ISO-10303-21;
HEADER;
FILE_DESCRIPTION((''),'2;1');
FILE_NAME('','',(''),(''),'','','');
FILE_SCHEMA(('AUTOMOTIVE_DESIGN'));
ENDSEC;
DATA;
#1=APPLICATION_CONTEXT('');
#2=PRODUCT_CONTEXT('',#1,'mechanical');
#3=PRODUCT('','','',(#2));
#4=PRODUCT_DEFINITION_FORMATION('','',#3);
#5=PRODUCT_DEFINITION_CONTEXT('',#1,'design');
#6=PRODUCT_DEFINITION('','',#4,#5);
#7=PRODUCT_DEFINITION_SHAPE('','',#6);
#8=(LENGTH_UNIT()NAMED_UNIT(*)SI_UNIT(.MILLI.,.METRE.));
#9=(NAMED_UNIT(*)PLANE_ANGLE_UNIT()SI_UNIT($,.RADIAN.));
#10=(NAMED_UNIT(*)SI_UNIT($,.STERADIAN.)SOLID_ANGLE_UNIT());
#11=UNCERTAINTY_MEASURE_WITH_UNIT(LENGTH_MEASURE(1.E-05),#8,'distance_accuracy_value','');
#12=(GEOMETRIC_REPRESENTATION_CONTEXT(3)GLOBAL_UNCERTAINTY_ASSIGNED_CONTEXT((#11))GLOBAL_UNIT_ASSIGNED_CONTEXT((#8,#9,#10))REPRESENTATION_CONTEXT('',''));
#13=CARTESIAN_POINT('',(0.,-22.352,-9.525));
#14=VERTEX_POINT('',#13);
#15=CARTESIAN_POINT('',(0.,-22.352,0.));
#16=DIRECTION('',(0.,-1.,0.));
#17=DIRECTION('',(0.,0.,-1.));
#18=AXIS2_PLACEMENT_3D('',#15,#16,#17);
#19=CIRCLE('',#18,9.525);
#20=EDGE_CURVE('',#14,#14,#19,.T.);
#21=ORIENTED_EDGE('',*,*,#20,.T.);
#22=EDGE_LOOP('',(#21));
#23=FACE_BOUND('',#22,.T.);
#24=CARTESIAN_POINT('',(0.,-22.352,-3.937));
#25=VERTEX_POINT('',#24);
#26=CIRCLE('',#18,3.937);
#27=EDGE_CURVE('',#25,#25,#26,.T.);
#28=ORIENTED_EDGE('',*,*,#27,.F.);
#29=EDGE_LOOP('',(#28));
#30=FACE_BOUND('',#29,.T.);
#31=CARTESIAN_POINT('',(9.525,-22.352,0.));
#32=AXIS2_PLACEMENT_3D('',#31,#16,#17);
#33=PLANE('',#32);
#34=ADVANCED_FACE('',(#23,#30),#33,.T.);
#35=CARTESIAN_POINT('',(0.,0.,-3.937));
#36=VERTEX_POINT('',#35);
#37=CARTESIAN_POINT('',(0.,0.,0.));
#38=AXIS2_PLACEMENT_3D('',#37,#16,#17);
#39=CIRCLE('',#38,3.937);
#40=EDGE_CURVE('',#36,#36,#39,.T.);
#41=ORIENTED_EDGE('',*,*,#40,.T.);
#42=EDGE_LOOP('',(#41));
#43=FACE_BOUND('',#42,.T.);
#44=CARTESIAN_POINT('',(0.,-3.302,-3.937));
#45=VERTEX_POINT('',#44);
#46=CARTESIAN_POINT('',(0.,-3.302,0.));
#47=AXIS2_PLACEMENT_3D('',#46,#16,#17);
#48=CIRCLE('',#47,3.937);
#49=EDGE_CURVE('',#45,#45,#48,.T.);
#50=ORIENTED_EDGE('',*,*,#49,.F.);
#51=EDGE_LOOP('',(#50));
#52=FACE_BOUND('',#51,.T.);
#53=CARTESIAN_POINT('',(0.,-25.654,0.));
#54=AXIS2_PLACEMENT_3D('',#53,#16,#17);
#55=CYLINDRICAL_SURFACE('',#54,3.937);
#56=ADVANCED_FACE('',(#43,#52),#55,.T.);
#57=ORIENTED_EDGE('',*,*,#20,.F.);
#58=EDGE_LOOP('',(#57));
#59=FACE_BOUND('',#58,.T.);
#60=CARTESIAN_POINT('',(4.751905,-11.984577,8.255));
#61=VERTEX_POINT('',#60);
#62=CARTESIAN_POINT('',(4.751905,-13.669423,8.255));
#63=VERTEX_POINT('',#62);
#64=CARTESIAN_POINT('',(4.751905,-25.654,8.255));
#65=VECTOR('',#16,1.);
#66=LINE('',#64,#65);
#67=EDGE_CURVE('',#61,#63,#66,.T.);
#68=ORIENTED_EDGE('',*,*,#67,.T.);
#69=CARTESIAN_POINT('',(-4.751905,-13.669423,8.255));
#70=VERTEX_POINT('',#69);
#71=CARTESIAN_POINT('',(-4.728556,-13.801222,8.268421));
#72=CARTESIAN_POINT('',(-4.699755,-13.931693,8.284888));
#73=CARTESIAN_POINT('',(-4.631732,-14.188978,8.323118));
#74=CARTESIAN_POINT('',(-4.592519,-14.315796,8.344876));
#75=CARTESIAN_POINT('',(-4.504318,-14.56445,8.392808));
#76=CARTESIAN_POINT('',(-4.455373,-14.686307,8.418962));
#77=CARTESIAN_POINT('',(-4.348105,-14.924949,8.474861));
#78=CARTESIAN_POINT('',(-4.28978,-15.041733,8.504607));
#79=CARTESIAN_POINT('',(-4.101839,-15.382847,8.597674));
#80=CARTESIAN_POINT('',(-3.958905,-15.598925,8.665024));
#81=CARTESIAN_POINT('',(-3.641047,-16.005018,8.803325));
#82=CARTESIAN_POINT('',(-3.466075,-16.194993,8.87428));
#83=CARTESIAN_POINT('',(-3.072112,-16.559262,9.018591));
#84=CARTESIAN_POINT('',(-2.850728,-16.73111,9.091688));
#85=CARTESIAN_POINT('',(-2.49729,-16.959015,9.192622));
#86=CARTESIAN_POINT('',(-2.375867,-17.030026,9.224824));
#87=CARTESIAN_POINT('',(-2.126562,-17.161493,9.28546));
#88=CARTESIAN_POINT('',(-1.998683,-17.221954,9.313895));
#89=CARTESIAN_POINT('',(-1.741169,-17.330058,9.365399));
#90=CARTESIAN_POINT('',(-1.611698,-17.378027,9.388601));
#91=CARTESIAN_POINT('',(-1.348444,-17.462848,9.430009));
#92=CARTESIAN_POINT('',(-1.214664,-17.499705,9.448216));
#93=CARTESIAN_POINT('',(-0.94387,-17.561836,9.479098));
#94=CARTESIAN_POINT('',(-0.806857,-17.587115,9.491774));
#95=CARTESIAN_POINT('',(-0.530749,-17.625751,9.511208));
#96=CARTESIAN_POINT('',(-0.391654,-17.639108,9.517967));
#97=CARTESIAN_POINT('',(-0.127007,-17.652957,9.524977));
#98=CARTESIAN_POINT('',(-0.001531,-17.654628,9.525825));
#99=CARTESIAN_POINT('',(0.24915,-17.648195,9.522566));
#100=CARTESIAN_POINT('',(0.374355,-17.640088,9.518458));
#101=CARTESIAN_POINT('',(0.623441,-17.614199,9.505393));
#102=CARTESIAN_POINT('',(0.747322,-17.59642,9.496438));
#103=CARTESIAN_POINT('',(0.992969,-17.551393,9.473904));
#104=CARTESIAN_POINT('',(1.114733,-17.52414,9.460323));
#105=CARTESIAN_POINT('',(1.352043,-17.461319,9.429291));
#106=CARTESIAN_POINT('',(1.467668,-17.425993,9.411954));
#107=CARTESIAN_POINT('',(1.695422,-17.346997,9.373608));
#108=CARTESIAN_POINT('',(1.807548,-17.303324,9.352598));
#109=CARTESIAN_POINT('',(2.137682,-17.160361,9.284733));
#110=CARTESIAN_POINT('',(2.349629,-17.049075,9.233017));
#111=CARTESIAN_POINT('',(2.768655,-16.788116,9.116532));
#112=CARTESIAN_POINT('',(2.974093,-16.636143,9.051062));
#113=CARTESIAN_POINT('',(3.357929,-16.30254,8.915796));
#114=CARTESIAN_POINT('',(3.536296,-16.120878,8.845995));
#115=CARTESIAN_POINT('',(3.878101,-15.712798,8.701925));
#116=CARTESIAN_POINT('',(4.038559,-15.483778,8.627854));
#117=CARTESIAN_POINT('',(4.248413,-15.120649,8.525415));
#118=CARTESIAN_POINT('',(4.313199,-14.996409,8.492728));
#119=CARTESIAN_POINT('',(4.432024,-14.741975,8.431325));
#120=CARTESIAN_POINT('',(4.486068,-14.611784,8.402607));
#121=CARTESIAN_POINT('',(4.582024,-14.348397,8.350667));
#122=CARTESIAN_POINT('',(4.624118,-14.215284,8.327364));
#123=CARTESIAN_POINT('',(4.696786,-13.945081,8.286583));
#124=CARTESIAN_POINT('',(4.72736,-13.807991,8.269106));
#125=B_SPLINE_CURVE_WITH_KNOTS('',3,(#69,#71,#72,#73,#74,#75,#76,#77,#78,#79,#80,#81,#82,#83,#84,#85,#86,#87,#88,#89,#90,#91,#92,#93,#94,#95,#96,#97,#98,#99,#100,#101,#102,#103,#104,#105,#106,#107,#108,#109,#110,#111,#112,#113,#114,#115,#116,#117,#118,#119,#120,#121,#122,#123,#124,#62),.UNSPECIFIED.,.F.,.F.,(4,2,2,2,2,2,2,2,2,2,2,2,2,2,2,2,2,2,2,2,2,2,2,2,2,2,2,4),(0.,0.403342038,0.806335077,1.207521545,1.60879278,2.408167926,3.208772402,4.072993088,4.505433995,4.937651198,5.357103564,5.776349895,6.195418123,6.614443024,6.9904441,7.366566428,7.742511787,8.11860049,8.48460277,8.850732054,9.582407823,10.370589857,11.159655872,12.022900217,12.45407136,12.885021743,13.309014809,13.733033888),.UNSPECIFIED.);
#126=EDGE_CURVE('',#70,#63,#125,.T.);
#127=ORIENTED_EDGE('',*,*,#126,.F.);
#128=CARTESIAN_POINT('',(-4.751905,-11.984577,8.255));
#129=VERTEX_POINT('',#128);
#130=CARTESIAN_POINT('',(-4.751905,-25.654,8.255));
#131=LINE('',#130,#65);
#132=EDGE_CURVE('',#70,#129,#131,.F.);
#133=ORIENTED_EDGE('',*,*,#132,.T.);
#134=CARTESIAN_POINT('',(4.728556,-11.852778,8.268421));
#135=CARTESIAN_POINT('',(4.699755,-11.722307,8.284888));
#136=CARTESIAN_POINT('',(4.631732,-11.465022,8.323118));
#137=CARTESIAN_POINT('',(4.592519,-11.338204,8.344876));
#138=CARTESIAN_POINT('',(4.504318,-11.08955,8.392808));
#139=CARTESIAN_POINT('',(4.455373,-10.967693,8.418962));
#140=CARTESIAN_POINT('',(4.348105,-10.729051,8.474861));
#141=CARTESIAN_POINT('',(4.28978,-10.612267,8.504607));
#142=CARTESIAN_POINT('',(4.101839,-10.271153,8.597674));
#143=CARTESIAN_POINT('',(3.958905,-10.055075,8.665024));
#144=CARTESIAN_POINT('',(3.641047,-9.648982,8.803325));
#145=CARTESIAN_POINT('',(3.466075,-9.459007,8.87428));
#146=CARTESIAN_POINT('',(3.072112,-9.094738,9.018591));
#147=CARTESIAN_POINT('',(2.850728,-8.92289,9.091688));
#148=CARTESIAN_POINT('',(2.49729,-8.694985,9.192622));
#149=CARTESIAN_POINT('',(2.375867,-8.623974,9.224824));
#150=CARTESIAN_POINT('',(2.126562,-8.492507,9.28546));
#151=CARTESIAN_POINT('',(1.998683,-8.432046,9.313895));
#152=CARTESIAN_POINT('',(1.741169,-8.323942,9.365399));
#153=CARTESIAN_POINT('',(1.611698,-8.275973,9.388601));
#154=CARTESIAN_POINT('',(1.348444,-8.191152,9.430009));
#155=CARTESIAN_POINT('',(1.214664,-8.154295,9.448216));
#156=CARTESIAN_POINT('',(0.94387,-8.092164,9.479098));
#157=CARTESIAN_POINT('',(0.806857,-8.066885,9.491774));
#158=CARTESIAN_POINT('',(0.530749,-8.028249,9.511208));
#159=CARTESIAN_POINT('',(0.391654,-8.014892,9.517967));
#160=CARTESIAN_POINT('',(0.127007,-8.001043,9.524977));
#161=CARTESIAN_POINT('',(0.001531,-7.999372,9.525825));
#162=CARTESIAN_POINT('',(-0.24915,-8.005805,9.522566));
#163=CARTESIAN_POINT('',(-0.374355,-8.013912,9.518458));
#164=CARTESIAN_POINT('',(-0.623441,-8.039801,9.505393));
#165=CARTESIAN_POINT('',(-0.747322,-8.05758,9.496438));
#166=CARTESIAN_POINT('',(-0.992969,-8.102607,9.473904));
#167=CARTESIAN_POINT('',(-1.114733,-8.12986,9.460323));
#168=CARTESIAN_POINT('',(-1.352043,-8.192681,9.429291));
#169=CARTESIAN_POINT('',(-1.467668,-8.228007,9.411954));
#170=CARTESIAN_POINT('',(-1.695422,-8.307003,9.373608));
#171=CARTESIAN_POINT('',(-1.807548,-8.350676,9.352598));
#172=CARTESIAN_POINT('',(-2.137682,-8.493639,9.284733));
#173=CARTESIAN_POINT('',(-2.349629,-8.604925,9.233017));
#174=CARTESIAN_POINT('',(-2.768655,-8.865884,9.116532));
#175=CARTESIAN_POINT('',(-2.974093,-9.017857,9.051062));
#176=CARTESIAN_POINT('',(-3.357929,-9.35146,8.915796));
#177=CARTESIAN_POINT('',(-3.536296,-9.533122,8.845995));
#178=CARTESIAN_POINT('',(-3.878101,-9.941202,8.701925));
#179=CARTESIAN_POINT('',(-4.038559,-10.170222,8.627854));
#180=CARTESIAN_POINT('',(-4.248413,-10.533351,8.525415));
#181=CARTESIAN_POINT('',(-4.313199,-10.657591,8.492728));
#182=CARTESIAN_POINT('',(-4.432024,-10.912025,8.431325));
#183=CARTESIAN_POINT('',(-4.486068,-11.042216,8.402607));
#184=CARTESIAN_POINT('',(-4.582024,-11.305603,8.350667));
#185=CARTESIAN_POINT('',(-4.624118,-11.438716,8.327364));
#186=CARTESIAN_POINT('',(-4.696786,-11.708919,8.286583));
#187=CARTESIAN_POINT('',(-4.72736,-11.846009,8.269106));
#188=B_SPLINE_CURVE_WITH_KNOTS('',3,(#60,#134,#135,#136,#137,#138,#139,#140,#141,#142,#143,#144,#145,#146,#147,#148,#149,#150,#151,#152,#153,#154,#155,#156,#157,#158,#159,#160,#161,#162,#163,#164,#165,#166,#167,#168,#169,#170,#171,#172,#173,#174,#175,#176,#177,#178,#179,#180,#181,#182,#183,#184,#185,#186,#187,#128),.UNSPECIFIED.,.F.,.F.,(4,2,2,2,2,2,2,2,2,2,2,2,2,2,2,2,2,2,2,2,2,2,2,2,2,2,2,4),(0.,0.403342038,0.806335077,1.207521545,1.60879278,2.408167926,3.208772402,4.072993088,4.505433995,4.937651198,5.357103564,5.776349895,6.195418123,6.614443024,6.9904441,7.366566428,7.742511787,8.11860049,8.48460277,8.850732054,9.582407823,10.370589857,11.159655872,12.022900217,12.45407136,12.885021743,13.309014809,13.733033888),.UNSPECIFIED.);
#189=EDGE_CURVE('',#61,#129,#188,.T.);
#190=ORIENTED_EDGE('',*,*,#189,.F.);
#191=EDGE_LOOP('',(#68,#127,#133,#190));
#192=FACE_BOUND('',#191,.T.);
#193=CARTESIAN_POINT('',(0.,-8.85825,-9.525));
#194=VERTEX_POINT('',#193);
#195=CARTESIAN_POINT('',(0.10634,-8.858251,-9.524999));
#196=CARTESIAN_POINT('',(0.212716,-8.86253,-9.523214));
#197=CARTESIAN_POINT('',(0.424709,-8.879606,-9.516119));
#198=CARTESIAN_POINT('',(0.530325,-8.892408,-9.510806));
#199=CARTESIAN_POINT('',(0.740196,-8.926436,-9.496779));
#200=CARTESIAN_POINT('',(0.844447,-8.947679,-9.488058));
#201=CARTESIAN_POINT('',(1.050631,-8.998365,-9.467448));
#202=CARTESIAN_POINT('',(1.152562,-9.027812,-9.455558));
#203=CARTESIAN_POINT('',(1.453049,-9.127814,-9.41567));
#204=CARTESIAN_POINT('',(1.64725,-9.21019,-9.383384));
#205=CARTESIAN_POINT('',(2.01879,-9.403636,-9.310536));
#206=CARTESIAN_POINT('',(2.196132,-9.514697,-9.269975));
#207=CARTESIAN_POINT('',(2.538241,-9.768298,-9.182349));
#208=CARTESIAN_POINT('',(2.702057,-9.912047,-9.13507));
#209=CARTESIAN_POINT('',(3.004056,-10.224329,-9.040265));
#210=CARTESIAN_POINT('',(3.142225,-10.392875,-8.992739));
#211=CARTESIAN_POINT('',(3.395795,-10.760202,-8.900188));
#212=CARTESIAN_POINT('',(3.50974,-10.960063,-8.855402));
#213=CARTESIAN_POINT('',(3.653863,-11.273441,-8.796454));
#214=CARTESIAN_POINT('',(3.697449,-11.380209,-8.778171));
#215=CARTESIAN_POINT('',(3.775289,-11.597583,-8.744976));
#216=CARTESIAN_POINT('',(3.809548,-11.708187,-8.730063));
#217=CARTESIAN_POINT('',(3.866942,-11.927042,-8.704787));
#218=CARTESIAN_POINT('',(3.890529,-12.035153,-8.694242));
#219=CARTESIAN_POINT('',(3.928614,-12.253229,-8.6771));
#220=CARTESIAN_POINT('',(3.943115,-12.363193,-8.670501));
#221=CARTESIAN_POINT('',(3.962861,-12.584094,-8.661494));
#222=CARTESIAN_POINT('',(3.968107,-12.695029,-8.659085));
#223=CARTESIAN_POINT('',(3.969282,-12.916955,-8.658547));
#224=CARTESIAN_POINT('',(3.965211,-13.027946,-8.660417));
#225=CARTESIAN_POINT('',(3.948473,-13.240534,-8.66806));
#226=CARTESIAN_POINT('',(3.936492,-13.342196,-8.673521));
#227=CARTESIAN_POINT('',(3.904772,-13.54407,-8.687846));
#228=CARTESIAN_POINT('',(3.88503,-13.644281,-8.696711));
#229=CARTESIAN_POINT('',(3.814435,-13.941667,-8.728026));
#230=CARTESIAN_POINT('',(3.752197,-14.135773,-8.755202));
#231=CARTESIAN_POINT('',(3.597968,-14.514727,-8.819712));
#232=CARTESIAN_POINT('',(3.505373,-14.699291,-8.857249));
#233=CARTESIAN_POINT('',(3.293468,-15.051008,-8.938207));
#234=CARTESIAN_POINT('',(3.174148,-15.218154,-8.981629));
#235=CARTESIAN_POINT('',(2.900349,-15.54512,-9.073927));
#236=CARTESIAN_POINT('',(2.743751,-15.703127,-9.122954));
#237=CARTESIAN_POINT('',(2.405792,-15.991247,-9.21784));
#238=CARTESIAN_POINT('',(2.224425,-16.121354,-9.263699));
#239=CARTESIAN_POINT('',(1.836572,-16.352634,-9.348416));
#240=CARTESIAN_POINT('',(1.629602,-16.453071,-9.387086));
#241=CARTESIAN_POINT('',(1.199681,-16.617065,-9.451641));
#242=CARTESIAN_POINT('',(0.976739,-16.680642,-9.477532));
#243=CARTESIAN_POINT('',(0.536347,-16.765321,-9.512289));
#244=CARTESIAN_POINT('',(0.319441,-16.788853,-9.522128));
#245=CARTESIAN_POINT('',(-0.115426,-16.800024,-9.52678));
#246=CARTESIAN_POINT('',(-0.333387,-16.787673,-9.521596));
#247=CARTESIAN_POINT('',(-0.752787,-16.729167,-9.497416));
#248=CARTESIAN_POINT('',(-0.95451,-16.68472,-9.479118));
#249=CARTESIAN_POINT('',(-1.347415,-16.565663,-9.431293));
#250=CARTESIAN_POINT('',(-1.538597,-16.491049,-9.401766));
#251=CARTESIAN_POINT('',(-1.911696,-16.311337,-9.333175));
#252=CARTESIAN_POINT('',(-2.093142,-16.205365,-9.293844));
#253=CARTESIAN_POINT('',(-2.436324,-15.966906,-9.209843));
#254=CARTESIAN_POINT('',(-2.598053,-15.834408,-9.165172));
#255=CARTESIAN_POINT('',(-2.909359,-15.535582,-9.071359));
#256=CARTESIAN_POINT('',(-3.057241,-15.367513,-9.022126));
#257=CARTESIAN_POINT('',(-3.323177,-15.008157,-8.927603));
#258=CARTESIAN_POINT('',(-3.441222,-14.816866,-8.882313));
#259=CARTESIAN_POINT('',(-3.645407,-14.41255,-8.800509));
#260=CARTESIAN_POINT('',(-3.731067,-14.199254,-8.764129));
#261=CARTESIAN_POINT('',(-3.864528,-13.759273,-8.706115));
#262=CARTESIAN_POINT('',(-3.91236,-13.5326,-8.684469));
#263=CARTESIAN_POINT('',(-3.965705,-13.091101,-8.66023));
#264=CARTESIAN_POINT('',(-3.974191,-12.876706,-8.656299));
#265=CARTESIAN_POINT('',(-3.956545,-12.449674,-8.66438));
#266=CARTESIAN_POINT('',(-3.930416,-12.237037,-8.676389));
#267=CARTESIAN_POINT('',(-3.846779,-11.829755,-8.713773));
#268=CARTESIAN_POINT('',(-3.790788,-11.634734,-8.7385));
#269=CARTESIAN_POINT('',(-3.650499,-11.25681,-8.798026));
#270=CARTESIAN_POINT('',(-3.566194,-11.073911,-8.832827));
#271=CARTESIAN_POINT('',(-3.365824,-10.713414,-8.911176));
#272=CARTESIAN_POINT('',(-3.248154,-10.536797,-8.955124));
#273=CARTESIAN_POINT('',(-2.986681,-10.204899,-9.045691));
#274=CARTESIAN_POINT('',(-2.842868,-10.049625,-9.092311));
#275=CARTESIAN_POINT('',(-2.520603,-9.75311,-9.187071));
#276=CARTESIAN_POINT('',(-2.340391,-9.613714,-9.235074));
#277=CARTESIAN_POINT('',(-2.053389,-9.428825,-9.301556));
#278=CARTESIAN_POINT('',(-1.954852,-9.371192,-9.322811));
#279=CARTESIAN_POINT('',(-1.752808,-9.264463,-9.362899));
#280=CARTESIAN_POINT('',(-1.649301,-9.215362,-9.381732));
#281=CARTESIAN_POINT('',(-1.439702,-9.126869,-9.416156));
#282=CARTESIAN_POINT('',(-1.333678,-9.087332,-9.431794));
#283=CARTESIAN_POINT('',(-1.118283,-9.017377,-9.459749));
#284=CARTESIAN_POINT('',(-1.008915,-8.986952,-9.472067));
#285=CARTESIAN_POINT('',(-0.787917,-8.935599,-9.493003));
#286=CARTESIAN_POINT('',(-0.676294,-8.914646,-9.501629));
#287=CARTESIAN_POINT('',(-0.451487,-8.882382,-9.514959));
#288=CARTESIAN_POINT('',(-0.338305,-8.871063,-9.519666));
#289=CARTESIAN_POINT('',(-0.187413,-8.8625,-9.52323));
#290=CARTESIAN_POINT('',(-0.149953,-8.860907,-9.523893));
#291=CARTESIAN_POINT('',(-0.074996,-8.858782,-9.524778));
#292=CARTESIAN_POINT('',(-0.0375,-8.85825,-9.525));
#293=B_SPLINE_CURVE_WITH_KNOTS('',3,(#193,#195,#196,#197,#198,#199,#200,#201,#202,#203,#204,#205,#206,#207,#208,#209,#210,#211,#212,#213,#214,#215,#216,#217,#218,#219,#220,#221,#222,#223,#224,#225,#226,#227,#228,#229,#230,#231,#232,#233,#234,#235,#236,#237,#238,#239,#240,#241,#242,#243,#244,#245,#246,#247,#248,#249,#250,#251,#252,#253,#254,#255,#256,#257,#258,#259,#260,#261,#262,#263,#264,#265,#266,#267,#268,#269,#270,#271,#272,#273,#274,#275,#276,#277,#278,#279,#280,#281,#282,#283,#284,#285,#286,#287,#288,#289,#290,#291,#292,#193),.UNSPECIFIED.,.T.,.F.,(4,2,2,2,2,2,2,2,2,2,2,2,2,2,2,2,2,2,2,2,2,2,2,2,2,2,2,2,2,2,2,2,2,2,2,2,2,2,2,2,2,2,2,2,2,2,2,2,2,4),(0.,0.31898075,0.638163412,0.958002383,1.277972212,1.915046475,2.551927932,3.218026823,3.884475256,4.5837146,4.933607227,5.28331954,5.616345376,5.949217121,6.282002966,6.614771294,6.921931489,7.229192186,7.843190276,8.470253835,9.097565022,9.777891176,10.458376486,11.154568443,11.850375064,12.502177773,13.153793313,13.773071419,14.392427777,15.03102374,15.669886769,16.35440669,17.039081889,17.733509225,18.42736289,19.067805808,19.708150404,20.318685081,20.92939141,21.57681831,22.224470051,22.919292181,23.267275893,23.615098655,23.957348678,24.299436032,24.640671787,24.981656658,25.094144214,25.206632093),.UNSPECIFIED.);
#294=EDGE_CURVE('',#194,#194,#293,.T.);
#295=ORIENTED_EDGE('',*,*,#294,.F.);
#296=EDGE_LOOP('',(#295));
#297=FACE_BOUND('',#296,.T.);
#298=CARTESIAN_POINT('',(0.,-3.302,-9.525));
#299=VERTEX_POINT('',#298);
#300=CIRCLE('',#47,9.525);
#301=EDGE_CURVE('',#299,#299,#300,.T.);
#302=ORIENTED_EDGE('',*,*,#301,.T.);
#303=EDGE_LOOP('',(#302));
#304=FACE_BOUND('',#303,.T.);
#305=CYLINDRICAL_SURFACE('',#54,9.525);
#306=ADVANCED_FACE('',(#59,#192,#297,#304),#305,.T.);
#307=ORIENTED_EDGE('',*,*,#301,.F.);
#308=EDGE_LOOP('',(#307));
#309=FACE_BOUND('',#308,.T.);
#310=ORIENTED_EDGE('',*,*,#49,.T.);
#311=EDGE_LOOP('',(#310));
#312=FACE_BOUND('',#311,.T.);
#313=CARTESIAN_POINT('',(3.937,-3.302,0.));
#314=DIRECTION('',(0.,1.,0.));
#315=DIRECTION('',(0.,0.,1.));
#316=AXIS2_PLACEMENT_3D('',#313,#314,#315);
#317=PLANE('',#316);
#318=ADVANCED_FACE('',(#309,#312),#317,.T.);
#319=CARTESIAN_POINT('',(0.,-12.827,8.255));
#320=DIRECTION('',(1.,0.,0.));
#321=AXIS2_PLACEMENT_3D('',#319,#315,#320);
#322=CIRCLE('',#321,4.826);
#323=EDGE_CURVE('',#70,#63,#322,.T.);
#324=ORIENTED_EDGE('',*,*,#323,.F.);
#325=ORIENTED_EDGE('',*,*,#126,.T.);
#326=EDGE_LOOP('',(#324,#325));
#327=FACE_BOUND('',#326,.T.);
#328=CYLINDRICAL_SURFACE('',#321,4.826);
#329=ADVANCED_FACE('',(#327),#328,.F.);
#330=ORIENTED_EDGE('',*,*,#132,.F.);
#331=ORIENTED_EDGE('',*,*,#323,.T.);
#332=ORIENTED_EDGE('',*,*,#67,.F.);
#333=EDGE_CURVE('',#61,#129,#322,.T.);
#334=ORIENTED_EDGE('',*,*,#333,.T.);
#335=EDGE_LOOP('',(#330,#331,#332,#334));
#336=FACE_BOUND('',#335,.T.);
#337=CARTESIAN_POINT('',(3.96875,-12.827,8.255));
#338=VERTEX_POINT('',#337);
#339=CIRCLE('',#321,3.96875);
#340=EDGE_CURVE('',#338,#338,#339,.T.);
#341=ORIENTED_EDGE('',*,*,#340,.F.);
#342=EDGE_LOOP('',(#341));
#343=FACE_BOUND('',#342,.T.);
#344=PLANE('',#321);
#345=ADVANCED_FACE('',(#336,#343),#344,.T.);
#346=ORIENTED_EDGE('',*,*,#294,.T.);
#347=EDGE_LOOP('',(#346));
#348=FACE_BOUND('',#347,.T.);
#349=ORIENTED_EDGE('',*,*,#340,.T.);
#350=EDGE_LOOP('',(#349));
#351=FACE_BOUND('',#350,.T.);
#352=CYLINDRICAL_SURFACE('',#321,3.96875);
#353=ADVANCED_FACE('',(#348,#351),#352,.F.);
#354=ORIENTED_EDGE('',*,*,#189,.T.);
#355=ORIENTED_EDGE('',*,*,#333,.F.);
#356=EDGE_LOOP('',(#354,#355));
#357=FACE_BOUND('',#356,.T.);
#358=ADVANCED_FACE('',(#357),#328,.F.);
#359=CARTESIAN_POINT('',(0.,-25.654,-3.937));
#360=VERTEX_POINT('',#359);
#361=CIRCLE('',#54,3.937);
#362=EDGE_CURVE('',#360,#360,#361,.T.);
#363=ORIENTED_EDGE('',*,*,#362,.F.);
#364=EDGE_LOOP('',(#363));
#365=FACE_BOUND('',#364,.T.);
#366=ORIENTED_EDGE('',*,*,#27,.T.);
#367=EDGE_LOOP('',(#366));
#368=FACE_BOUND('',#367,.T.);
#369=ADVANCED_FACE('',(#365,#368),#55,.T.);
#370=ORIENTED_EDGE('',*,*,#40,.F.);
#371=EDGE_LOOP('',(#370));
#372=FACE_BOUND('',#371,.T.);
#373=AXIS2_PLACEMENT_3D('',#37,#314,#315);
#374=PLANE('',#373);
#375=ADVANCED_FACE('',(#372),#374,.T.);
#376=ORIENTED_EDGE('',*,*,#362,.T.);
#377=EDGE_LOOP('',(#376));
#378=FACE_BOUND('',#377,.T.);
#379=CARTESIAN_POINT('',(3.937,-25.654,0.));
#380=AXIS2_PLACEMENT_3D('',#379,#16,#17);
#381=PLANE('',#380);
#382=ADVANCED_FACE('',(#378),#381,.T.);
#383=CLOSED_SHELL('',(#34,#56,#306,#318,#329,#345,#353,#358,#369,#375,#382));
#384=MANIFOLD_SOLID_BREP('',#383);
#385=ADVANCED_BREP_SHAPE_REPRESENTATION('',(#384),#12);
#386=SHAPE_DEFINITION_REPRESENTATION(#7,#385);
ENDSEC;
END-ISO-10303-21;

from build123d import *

# Parameters (mm, degrees)
SKETCH9_R                        = 4.826
CUT_EXTRUDE1_DEPTH               = 1.27
SKETCH10_W                       = 3.96875
SKETCH10_H                       = 17.78
F_3_8_16_TAPPED_HOLE2_AT_2_COUNT = 2
F_3_8_16_TAPPED_HOLE2_AT_2_PITCH = 29.889478418


with BuildPart() as part:
    # Sketch4 → Revolve1 (revolve)
    with BuildSketch(Plane.XY, mode=Mode.PRIVATE) as revolve1_sk:
        Polygon((0, 0), (3.937, 0), (3.937, -3.302), (9.525, -3.302), (9.525, -22.352), (3.937, -22.352), (3.937, -25.654), (0, -25.654), align=None)
    revolve(revolve1_sk.sketch.rotate(Axis((0, -25.654, 0), (0, 1, 0)), 90), axis=Axis((0, -25.654, 0), (0, 1, 0)))

    # Sketch9 → Cut-Extrude1 (cut)
    with BuildSketch(Plane.XY.offset(9.525)):
        with Locations((0, -12.827)):
            Circle(SKETCH9_R)
    extrude(amount=-CUT_EXTRUDE1_DEPTH, mode=Mode.SUBTRACT)

    # Sketch10 → 3/8-16 Tapped Hole2 (revolve, cut)
    with BuildSketch(Plane(origin=(0, -12.827, 8.255), x_dir=(0, -1, 0), z_dir=(1, 0, 0))):
        with Locations((1.984375, 8.89)):
            Rectangle(SKETCH10_W, SKETCH10_H)
    f_3_8_16_tapped_hole2 = revolve(axis=Axis((0, -12.827, 14.605), (0, 0, -1)), mode=Mode.SUBTRACT)

    # 3/8-16 Tapped Hole2 at 2: 3/8-16 Tapped Hole2 ×2
    with Locations(*[Vector(0.9929520890622513, 0.11851644960473202, 0) * (i * F_3_8_16_TAPPED_HOLE2_AT_2_PITCH) for i in range(1, F_3_8_16_TAPPED_HOLE2_AT_2_COUNT)]):
        add(f_3_8_16_tapped_hole2, mode=Mode.SUBTRACT)


solid = part.part
